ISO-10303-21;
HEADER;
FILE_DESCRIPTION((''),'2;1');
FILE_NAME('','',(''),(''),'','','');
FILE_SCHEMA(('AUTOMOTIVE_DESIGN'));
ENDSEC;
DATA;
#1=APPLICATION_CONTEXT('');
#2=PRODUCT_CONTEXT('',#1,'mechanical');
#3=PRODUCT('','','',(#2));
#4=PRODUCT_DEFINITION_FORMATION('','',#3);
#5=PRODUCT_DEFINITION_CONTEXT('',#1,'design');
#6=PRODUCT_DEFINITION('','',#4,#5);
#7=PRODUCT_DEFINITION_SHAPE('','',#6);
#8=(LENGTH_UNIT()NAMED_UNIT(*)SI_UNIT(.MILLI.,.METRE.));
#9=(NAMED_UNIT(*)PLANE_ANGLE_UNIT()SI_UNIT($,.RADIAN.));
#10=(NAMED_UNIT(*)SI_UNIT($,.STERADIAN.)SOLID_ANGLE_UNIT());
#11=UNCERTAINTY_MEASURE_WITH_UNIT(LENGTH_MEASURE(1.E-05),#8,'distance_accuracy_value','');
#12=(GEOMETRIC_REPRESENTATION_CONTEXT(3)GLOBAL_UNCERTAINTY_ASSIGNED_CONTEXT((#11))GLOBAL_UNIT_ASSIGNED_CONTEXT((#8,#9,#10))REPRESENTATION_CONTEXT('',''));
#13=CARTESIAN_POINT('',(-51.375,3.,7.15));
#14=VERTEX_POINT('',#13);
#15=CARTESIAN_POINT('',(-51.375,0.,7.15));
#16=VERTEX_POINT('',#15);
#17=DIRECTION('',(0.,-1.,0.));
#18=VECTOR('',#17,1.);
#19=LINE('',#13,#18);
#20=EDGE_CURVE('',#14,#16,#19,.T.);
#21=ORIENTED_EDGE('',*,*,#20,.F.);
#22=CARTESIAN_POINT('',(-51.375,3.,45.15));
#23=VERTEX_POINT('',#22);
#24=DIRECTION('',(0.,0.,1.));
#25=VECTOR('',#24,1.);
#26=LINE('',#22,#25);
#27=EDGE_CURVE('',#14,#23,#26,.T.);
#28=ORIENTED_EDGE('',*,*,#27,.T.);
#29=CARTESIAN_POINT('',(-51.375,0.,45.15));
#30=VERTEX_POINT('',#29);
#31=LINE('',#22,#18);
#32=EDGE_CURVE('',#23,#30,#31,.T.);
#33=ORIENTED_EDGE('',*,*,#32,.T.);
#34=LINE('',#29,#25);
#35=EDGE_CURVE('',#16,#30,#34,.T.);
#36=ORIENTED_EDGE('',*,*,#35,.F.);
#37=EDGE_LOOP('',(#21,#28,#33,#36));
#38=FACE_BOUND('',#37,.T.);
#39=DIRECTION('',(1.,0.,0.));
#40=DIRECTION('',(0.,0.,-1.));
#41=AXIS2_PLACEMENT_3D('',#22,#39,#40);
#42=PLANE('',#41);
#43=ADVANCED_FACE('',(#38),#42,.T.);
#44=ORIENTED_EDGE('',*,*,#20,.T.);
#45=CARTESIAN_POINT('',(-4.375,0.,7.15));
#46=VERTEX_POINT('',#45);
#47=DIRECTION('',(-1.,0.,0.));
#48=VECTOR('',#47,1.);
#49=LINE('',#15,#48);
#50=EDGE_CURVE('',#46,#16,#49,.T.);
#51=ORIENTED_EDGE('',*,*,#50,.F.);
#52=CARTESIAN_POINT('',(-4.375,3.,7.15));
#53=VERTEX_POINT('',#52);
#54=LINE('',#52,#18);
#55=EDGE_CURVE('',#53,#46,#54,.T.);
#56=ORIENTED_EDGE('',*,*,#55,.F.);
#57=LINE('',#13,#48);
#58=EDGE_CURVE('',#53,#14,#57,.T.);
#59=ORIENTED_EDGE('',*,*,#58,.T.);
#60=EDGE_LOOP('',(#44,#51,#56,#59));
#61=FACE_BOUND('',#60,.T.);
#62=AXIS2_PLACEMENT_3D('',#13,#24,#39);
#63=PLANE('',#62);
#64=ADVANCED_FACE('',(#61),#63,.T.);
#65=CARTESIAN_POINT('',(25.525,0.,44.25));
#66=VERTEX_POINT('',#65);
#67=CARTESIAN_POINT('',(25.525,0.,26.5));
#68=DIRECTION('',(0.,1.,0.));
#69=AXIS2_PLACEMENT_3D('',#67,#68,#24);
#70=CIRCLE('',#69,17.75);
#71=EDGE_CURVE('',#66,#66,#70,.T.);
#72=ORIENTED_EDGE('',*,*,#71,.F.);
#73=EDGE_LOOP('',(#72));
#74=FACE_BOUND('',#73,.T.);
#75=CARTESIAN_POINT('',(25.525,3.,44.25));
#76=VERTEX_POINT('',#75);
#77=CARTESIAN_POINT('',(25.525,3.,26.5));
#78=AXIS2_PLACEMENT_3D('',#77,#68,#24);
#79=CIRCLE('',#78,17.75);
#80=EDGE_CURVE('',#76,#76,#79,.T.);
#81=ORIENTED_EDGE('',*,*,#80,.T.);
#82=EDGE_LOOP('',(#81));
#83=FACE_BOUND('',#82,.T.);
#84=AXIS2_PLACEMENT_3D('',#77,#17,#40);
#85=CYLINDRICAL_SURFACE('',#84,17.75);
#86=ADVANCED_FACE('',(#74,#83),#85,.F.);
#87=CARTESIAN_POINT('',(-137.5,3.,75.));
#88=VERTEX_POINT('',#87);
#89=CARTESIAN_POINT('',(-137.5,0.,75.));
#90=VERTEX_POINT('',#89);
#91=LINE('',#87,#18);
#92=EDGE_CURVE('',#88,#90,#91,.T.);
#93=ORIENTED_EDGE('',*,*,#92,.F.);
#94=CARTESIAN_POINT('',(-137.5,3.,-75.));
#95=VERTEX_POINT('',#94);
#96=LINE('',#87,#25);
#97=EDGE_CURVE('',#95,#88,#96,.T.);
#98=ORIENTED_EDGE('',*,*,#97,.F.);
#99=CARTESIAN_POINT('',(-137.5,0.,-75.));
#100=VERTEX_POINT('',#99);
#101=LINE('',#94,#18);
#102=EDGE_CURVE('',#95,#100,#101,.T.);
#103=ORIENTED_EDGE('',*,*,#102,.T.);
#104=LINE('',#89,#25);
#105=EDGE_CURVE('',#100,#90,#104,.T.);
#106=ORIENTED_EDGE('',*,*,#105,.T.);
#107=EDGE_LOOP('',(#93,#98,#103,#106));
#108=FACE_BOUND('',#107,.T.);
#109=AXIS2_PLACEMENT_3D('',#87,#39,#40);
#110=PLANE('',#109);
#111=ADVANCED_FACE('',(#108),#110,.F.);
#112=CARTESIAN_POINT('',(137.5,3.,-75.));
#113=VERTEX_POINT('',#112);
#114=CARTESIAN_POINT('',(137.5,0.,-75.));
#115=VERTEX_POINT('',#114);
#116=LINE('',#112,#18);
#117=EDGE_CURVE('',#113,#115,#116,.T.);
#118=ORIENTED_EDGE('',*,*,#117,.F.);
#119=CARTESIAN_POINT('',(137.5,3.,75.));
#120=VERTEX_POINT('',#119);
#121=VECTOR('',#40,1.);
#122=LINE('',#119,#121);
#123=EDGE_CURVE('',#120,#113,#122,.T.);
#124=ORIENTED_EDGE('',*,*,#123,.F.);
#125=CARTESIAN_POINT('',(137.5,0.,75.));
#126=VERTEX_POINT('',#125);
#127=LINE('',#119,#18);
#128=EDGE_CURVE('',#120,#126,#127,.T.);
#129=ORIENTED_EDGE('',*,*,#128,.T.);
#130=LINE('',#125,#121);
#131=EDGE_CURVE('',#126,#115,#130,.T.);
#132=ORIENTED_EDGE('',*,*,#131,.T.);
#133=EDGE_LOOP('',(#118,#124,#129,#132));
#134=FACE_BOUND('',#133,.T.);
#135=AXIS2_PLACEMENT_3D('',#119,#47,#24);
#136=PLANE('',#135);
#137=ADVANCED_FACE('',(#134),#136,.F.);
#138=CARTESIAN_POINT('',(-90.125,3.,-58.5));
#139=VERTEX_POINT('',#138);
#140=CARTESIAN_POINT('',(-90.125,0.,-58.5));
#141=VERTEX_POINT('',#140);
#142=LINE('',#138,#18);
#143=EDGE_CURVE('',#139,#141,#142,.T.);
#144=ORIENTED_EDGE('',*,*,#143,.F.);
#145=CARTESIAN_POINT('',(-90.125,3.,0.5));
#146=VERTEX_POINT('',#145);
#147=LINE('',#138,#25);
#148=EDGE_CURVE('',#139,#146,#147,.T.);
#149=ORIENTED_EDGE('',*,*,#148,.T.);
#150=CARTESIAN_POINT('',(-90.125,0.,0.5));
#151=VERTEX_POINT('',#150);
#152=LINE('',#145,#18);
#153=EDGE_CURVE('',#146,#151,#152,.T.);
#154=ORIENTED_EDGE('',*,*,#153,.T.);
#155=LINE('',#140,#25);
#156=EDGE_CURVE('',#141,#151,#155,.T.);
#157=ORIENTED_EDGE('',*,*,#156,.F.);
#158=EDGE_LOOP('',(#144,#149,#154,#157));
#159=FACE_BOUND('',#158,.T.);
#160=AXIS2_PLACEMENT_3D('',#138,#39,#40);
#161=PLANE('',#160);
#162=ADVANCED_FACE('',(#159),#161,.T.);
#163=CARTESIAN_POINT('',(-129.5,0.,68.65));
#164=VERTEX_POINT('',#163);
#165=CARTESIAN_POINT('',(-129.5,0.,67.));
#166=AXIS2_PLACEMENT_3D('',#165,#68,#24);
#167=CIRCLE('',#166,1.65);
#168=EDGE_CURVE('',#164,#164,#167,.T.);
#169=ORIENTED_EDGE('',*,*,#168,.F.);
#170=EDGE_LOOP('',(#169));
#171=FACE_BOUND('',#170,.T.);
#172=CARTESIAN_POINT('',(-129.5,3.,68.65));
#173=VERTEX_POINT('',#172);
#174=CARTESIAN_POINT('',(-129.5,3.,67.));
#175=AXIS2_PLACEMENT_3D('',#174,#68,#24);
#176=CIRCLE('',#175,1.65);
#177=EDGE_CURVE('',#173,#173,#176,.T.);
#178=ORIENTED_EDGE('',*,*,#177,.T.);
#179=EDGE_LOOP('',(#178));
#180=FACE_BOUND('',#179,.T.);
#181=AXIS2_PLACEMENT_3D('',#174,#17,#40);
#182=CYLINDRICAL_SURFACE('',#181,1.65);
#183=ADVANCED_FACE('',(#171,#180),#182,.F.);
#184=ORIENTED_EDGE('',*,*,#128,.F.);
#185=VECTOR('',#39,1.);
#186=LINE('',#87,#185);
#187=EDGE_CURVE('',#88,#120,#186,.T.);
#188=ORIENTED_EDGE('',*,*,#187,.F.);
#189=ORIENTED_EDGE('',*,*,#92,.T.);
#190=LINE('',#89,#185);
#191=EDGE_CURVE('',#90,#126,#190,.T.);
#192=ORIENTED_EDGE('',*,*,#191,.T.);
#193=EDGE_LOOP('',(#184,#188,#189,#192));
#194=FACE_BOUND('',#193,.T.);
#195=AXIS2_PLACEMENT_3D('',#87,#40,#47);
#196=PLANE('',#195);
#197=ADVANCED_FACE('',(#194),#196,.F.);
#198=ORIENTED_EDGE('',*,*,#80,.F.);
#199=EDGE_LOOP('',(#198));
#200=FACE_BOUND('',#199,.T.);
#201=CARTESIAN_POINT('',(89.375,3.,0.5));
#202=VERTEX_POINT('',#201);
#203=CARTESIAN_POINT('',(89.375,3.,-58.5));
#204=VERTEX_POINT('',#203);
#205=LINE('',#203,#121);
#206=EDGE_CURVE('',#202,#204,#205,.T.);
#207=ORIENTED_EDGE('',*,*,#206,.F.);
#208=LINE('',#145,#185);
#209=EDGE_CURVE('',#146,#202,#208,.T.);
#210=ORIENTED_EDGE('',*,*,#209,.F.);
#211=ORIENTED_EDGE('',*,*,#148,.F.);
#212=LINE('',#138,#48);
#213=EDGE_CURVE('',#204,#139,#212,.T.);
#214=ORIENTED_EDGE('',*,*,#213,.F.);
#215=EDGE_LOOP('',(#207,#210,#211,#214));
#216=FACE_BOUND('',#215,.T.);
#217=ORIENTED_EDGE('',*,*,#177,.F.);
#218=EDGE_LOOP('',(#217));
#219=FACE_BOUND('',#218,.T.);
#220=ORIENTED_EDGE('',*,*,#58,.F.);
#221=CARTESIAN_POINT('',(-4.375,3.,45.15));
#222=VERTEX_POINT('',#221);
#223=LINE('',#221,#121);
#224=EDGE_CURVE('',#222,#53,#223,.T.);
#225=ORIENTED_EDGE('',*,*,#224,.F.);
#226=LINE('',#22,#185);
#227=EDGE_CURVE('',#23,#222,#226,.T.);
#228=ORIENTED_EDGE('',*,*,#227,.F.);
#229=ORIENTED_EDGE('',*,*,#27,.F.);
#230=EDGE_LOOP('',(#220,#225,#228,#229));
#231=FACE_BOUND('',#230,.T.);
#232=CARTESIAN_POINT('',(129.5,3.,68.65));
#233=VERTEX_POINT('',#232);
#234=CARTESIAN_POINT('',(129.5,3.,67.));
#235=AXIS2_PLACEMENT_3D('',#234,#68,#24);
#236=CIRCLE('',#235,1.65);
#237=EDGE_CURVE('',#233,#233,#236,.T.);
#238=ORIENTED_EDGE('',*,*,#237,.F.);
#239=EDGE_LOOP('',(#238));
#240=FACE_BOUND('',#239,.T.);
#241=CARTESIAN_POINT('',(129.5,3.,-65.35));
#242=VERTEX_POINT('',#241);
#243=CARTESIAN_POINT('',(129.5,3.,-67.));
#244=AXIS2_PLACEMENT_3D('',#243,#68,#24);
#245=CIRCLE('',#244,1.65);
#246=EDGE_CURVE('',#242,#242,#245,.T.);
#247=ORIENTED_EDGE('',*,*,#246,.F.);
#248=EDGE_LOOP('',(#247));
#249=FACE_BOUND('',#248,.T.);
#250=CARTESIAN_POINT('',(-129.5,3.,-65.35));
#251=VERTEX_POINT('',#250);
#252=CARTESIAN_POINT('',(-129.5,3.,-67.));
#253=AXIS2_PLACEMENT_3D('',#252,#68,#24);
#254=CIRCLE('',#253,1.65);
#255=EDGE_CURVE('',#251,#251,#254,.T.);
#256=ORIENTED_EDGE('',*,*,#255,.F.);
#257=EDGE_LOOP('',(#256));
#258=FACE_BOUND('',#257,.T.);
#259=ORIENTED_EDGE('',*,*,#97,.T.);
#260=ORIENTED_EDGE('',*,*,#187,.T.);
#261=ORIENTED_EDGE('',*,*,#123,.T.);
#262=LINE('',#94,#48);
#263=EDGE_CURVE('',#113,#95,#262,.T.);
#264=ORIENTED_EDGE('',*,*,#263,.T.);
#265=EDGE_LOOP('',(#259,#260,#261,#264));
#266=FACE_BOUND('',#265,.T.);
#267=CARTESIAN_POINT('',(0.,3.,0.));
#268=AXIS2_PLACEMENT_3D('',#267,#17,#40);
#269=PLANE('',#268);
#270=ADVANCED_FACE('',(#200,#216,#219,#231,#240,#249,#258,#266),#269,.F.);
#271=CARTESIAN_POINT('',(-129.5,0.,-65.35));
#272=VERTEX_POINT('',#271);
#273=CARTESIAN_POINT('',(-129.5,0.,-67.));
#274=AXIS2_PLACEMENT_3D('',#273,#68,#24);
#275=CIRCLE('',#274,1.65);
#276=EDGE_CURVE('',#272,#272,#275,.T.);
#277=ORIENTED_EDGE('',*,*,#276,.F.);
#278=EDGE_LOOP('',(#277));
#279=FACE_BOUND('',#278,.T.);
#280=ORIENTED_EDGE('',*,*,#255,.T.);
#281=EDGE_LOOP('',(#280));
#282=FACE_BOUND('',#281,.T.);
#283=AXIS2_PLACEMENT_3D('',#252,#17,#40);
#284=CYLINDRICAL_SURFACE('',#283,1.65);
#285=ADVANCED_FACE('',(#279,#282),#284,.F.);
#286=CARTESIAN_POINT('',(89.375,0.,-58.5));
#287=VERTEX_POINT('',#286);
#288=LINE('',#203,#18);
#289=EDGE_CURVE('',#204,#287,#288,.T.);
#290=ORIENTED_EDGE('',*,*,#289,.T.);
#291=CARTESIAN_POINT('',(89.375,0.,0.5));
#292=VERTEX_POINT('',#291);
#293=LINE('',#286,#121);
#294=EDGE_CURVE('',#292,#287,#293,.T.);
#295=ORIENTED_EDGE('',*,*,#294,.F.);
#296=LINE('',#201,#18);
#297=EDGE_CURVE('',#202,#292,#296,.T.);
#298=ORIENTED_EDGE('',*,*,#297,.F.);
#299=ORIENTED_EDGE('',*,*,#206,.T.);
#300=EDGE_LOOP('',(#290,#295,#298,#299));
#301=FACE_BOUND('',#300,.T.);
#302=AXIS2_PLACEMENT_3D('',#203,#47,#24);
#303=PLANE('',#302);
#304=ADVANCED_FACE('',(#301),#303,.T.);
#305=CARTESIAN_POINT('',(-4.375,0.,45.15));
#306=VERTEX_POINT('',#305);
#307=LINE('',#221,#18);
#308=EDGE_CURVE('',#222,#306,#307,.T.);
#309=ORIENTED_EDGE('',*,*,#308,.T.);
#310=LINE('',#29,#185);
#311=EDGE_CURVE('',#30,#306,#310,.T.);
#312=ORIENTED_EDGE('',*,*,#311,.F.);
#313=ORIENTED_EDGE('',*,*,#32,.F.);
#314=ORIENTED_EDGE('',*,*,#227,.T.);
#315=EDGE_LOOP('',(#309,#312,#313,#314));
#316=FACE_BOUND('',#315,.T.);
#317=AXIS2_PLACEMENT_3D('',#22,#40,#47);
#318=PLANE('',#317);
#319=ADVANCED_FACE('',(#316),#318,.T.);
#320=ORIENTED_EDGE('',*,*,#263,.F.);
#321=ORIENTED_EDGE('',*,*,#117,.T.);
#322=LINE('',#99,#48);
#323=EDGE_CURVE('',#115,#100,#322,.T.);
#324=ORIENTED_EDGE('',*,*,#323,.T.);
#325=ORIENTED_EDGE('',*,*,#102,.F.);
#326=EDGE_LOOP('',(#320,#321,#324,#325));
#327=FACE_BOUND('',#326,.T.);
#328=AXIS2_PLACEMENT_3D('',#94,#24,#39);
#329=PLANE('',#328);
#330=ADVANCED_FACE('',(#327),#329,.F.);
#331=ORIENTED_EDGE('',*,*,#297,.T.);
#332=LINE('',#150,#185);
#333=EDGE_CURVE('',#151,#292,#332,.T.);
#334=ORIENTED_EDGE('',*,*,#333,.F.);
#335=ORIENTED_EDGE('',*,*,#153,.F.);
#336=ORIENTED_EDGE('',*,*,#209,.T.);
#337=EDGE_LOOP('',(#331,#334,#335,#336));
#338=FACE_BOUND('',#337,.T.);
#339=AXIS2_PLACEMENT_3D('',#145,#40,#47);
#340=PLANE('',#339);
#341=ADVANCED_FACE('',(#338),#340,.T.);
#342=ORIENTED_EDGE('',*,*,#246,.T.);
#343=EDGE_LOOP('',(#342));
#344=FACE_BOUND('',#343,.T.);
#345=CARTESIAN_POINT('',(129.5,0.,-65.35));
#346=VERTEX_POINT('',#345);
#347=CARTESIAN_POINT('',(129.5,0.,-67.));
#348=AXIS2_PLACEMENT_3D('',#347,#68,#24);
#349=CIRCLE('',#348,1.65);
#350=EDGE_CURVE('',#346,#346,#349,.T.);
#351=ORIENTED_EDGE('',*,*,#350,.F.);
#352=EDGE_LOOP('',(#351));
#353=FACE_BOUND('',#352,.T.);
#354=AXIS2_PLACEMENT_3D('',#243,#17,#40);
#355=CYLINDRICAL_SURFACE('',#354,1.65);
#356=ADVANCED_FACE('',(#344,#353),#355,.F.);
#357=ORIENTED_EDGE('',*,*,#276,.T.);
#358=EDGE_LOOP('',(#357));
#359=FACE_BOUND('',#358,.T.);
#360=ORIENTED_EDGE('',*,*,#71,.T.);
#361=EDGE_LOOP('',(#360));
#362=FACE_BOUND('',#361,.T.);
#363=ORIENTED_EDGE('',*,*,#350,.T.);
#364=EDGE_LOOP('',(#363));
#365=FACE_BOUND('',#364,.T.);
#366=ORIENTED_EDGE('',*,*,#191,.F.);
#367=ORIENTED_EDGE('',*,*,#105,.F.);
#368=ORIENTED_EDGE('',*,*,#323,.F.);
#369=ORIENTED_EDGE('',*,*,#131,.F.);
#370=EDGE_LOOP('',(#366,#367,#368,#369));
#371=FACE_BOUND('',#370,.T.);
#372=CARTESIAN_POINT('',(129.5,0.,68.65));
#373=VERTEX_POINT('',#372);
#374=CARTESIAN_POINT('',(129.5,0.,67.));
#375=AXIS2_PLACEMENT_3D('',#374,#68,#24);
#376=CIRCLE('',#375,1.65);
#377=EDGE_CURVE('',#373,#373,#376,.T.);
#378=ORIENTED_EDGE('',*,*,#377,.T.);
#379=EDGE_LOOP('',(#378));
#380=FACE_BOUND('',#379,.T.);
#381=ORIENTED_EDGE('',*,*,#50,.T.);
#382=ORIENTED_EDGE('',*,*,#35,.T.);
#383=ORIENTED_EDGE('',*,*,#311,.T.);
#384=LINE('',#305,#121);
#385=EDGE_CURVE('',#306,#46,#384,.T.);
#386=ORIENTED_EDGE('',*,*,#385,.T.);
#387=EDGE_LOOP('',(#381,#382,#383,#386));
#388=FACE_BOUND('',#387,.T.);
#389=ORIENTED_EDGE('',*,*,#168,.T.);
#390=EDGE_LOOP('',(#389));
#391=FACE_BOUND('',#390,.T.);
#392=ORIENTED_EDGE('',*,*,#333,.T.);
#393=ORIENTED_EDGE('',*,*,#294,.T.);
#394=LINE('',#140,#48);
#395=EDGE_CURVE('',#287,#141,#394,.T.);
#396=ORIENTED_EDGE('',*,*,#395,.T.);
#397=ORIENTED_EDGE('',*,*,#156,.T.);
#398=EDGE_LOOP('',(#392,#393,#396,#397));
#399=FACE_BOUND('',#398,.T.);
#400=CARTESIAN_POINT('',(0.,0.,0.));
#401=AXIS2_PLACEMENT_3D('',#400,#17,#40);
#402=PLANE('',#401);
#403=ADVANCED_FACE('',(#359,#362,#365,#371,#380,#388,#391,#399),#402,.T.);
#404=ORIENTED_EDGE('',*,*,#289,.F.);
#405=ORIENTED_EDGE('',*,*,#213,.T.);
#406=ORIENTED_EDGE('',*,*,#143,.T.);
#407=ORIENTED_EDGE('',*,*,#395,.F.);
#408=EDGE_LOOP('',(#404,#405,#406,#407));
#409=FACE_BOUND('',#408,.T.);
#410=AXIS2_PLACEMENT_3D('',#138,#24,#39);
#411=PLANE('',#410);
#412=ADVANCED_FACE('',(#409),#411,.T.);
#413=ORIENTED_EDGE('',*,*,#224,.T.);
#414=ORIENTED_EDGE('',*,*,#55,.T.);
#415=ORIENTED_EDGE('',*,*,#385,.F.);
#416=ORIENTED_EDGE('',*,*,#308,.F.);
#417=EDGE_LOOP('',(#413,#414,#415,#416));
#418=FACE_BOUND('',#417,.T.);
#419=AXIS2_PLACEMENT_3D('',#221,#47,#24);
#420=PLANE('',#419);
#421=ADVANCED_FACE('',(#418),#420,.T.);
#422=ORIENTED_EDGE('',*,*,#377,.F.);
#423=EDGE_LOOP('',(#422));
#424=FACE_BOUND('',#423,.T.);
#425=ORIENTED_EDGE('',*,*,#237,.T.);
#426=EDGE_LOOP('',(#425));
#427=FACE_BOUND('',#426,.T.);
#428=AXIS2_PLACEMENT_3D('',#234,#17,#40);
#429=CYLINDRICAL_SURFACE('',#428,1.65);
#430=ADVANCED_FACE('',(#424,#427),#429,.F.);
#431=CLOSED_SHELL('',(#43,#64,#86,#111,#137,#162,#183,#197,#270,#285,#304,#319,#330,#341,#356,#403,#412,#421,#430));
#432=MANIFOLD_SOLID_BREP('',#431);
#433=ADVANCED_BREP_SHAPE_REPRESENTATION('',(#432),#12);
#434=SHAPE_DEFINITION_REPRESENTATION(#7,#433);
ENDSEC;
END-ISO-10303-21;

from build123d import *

# Parameters (mm, degrees)
SKIZZE1_W                       = 275
SKIZZE1_H                       = 150
SKIZZE1_R                       = 1.65
SKIZZE1_R_2                     = 17.75
SKIZZE1_W_2                     = 179.5
SKIZZE1_H_2                     = 59
SKIZZE1_W_3                     = 47
SKIZZE1_H_3                     = 38
AUFSATZ_LINEAR_AUSTRAGEN1_DEPTH = 3


with BuildPart() as part:
    # Skizze1 → Aufsatz-Linear austragen1 (new body)
    with BuildSketch(Plane(origin=(0, 0, 0), x_dir=(1, 0, 0), z_dir=(0, 1, 0))):
        Rectangle(SKIZZE1_W, SKIZZE1_H)
        with Locations(Location((-129.5, -67, 0), (0, 0, 270))):
            Circle(SKIZZE1_R, mode=Mode.SUBTRACT)
        with Locations(Location((129.5, -67, 0), (0, 0, 270))):
            Circle(SKIZZE1_R, mode=Mode.SUBTRACT)
        with Locations(Location((-129.5, 67, 0), (0, 0, 270))):
            Circle(SKIZZE1_R, mode=Mode.SUBTRACT)
        with Locations(Location((129.5, 67, 0), (0, 0, 270))):
            Circle(SKIZZE1_R, mode=Mode.SUBTRACT)
        with Locations(Location((25.525, -26.5, 0), (0, 0, 270))):
            Circle(SKIZZE1_R_2, mode=Mode.SUBTRACT)
        with Locations((-0.375, 29)):
            Rectangle(SKIZZE1_W_2, SKIZZE1_H_2, mode=Mode.SUBTRACT)
        with Locations((-27.875, -26.15)):
            Rectangle(SKIZZE1_W_3, SKIZZE1_H_3, mode=Mode.SUBTRACT)
    extrude(amount=AUFSATZ_LINEAR_AUSTRAGEN1_DEPTH)


solid = part.part
